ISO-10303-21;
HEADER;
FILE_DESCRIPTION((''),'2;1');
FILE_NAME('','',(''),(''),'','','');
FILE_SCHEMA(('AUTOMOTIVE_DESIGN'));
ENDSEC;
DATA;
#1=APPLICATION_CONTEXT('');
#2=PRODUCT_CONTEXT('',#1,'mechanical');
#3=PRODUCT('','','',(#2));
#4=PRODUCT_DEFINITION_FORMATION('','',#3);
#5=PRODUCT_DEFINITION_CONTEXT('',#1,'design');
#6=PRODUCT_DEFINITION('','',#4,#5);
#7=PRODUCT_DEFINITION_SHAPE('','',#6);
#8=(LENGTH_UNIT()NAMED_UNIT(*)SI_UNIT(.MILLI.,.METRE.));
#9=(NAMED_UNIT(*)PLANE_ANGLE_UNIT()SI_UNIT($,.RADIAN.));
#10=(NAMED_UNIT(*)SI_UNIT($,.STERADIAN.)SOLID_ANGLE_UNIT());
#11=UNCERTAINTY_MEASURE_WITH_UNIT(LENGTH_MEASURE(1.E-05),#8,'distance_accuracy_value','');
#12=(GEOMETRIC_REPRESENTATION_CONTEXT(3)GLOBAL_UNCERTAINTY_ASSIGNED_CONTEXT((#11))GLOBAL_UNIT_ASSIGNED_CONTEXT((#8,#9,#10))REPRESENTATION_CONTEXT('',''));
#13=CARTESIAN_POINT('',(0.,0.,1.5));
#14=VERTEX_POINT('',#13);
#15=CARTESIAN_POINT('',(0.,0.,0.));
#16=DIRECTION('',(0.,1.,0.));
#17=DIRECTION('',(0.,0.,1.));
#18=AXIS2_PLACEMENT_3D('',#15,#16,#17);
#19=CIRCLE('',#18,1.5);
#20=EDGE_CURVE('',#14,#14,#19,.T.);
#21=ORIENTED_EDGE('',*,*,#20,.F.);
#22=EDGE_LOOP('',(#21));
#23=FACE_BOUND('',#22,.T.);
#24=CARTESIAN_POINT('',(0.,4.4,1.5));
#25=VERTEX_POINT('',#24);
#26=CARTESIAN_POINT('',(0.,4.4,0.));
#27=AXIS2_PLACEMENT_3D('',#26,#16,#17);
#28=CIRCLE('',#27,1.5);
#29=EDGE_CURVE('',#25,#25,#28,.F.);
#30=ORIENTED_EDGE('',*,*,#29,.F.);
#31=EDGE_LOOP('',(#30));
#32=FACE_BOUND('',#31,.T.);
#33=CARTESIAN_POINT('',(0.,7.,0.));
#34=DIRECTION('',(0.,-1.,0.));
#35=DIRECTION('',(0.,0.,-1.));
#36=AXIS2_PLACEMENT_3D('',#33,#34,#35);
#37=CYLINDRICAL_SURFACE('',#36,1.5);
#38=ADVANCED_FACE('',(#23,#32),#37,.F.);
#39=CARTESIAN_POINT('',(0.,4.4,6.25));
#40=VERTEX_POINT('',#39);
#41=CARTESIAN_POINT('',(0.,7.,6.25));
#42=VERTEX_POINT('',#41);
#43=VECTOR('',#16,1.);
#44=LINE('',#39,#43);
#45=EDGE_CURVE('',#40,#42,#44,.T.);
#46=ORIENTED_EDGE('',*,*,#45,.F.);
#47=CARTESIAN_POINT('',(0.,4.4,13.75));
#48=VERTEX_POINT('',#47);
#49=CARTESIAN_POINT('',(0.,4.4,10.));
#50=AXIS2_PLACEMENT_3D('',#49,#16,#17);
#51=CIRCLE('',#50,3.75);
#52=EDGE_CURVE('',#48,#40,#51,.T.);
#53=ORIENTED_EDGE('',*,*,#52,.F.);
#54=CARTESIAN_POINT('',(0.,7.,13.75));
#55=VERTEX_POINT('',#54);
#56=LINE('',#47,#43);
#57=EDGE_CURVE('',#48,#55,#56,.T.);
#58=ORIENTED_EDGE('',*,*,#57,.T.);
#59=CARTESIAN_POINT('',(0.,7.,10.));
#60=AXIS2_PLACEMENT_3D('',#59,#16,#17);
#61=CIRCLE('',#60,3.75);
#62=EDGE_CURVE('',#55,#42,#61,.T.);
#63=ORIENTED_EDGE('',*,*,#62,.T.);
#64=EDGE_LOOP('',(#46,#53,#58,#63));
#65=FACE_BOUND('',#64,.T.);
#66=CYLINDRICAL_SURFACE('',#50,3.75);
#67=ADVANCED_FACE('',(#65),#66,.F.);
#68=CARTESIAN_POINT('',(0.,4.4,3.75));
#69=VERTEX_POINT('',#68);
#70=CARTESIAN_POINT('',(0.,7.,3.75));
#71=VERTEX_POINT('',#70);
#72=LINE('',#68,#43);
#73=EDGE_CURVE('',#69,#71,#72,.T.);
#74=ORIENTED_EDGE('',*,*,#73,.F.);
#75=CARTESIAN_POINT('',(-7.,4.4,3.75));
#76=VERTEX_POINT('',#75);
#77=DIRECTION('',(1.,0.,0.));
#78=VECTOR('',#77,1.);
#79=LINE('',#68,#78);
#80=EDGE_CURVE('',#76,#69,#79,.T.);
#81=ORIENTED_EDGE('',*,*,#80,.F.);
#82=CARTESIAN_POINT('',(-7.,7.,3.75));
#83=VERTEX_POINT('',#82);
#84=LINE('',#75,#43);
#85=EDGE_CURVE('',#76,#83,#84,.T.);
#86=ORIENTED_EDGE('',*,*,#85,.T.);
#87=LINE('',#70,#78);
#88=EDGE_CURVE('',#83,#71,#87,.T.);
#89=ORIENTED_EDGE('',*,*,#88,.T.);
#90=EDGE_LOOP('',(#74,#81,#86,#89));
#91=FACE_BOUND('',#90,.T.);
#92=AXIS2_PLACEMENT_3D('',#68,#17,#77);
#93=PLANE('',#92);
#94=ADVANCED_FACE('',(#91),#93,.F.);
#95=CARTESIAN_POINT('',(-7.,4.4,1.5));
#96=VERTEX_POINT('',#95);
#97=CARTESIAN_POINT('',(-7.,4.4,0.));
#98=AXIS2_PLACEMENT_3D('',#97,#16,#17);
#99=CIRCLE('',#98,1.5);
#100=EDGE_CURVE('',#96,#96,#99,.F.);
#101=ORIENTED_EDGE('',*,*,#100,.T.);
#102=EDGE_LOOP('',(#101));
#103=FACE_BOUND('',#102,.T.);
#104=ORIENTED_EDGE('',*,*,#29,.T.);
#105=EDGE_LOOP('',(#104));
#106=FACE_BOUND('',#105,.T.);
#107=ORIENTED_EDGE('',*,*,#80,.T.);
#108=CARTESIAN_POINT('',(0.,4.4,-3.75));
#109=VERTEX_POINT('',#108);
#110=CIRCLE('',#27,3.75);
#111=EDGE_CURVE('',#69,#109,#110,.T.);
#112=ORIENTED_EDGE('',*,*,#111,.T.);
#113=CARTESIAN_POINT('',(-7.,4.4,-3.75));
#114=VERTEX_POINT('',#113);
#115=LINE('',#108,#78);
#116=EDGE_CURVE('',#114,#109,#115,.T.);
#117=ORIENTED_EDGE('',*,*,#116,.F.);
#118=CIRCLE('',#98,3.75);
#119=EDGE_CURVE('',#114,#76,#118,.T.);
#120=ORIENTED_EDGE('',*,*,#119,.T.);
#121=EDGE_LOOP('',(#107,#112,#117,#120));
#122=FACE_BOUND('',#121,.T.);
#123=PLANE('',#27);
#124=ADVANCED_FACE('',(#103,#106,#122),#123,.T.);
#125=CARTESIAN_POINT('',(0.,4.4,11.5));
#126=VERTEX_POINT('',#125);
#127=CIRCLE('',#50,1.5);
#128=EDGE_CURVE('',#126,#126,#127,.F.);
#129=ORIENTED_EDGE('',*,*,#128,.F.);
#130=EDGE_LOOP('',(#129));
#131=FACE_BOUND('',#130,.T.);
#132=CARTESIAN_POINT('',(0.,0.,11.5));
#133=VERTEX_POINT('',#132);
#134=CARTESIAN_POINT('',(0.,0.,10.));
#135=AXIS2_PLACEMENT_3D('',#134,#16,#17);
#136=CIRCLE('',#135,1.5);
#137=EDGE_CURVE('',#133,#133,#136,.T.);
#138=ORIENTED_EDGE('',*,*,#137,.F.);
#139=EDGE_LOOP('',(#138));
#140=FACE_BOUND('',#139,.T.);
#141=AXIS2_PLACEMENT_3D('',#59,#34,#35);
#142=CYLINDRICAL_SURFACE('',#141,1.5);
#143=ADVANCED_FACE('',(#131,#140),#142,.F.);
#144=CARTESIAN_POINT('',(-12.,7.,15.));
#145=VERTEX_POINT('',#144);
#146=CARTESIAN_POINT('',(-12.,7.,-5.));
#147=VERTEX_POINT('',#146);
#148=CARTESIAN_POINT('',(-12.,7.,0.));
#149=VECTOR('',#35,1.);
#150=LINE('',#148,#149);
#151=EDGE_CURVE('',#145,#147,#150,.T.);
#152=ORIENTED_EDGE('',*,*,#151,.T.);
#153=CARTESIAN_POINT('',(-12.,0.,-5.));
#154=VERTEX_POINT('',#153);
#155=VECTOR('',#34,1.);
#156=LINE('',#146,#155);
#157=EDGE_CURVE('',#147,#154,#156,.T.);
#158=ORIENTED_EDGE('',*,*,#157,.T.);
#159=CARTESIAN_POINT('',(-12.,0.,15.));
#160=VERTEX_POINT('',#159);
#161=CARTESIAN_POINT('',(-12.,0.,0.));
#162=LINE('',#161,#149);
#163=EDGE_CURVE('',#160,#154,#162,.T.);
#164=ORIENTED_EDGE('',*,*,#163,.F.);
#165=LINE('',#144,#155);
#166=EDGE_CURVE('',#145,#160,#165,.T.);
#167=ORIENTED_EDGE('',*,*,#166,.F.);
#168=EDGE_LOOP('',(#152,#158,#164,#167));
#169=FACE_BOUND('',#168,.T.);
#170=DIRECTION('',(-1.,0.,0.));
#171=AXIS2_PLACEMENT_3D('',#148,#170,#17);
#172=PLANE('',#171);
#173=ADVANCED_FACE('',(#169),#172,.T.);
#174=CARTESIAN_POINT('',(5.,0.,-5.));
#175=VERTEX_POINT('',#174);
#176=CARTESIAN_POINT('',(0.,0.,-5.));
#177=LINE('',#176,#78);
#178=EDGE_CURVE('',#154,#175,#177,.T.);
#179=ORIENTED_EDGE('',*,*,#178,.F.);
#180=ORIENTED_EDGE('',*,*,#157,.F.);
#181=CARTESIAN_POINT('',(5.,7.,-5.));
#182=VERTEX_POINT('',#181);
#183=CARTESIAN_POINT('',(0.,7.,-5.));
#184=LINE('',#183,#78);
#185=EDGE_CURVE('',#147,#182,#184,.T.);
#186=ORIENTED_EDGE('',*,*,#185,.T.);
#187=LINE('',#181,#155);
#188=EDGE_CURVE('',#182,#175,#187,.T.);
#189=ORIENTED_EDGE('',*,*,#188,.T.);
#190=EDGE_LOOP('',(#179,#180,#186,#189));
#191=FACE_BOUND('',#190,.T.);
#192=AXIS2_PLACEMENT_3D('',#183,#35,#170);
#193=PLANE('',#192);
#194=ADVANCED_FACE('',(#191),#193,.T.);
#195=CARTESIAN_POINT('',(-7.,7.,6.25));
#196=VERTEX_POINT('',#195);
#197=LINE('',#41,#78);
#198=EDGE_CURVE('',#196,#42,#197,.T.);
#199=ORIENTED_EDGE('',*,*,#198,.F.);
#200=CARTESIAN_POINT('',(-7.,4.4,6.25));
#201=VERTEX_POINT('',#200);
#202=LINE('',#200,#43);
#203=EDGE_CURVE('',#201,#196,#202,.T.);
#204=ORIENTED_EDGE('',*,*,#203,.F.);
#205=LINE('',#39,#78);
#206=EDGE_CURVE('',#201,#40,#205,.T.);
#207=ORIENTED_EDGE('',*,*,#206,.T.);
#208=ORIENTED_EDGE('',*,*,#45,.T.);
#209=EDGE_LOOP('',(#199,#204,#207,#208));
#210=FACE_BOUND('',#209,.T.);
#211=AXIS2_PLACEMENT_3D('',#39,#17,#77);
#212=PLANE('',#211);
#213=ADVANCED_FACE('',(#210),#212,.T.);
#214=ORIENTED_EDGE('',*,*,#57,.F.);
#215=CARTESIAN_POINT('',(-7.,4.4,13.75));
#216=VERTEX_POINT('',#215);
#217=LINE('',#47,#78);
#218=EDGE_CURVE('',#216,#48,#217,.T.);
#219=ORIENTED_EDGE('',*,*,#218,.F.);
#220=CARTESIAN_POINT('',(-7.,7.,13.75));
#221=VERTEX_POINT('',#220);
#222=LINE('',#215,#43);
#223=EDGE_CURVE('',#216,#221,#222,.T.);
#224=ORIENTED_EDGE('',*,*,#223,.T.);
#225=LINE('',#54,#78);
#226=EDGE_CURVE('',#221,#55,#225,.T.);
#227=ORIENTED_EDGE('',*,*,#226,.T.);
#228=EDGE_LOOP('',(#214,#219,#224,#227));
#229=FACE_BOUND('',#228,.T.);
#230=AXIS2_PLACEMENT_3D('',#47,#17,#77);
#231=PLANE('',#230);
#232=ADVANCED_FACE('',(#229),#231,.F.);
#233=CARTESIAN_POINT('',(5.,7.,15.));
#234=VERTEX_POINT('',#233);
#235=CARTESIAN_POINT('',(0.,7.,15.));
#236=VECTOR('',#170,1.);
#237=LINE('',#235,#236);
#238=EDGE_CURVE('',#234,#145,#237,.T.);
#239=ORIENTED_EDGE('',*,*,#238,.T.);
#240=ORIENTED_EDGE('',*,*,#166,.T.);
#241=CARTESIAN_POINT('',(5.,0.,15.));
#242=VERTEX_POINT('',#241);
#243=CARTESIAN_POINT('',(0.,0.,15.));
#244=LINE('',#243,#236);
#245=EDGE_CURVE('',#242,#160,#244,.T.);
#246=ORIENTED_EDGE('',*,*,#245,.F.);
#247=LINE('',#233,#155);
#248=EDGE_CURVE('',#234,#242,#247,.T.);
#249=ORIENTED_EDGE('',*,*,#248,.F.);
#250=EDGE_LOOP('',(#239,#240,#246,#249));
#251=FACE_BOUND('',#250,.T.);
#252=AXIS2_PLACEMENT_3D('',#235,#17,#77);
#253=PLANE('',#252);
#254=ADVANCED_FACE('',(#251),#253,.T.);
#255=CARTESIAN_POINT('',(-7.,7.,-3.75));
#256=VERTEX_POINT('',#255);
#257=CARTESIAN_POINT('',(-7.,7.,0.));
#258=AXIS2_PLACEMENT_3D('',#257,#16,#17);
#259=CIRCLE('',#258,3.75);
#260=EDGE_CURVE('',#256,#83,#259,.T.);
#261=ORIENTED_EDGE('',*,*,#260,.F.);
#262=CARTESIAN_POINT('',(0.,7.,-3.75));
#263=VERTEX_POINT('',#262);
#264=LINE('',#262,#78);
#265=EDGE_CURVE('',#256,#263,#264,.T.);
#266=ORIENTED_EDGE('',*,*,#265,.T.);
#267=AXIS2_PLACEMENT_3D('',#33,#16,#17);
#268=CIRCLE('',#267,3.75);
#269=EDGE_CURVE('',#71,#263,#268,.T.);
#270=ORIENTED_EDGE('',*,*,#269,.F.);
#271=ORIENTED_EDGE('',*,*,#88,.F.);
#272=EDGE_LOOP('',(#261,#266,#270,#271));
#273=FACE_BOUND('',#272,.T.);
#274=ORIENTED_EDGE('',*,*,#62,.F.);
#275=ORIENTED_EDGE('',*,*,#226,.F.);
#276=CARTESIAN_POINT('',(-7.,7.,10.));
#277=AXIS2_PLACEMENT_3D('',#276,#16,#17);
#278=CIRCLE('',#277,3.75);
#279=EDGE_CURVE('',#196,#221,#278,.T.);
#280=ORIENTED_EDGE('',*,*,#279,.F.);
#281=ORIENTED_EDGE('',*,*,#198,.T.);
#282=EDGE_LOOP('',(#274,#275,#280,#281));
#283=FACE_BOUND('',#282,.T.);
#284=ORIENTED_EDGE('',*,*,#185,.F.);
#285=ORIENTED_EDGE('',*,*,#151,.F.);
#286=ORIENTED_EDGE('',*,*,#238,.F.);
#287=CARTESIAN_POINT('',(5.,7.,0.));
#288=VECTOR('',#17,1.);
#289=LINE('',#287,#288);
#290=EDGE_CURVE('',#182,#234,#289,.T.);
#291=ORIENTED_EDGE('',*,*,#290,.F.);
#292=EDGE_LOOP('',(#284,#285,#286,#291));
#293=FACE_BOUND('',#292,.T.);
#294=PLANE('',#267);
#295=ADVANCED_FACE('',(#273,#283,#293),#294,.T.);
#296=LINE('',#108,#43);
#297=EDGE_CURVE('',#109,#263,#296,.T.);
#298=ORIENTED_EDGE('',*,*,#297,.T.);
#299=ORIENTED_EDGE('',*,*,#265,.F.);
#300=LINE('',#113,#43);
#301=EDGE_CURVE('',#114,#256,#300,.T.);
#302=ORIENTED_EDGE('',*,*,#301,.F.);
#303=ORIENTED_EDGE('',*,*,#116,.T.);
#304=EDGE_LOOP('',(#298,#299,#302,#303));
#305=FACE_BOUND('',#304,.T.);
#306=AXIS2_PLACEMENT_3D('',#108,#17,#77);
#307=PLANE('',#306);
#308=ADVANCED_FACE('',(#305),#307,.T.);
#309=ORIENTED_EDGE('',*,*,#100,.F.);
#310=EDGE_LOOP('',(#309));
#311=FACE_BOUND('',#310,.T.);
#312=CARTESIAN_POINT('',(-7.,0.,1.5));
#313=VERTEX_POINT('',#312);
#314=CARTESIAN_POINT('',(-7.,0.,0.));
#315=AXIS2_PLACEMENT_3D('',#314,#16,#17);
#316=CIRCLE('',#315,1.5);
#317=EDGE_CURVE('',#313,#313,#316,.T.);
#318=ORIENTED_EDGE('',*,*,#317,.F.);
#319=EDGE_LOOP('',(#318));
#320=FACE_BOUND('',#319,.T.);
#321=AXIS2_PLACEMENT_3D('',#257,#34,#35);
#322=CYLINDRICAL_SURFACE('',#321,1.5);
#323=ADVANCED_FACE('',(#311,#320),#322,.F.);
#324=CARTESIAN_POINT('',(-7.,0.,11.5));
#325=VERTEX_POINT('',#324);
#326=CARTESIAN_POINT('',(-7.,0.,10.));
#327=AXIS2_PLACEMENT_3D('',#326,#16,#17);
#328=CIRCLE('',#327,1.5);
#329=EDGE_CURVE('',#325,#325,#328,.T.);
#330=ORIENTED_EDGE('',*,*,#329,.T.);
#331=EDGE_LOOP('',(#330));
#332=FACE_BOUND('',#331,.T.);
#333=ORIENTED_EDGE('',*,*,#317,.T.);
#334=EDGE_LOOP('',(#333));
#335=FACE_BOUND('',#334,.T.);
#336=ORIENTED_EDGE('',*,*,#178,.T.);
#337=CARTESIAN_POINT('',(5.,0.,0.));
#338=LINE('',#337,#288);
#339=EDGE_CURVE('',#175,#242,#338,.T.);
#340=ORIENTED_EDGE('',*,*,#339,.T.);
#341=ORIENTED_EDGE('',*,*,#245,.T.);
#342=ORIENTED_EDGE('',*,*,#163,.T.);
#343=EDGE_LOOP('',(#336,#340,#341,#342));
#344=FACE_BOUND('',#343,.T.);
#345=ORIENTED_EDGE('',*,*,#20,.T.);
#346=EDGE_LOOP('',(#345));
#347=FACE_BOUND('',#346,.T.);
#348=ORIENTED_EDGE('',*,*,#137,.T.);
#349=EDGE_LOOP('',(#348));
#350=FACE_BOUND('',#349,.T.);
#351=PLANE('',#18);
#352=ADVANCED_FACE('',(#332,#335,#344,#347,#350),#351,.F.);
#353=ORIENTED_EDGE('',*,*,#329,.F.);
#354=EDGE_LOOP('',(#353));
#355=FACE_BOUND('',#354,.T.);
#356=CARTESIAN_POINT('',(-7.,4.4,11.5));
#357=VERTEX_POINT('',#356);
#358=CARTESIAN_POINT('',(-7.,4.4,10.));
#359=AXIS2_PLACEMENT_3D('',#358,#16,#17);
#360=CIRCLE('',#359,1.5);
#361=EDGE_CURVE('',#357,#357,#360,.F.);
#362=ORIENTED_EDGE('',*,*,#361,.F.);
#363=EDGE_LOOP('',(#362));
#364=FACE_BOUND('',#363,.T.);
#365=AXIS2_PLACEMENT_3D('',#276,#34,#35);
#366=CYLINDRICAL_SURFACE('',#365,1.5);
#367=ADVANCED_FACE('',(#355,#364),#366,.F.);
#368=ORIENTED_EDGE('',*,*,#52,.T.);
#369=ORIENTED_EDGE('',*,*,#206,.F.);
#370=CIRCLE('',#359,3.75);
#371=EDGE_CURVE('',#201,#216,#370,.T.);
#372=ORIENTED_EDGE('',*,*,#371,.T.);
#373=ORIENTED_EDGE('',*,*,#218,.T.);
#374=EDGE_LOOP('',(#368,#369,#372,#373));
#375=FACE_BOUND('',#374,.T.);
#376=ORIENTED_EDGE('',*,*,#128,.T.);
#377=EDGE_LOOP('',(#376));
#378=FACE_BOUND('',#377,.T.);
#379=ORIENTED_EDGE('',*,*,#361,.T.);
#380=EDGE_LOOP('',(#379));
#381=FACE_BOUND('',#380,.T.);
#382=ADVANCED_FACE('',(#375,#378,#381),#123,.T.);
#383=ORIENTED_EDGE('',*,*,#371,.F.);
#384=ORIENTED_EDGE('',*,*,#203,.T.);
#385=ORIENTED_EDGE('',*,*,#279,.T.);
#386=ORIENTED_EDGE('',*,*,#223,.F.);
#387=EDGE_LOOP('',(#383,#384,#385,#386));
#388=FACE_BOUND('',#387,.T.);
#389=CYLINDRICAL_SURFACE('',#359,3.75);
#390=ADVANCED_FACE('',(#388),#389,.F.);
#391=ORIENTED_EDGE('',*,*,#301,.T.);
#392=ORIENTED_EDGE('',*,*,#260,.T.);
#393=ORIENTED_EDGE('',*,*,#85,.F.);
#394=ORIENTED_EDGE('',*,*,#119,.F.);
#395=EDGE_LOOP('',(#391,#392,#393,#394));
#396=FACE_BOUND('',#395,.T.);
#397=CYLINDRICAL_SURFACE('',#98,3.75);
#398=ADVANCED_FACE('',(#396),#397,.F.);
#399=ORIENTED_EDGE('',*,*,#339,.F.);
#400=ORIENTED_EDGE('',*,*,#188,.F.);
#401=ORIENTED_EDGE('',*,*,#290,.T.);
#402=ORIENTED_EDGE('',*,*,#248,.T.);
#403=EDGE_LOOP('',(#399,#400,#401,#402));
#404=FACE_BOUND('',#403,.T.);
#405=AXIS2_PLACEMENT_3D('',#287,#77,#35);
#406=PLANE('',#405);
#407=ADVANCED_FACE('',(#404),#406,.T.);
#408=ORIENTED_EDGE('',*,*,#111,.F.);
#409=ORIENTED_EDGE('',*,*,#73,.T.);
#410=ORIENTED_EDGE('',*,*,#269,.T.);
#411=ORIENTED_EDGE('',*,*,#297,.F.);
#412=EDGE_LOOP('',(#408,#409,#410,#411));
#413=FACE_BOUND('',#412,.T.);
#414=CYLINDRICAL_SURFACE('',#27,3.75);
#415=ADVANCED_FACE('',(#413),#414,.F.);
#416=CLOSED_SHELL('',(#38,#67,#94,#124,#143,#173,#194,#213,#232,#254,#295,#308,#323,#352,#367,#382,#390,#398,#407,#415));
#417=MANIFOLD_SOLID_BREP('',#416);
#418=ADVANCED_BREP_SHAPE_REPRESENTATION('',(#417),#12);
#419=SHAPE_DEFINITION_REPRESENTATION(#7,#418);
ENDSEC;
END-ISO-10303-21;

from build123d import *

# Parameters (mm, degrees)
SKETCH1_W           = 17
SKETCH1_H           = 20
SKETCH1_R           = 1.5
BOSS_EXTRUDE1_DEPTH = 7
SKETCH2_R           = 1.5
CUT_EXTRUDE6_DEPTH  = 2.6


with BuildPart() as part:
    # Sketch1 → Boss-Extrude1 (new body)
    with BuildSketch(Plane(origin=(0, 0, 0), x_dir=(1, 0, 0), z_dir=(0, 1, 0))):
        with Locations((-3.5, -5)):
            Rectangle(SKETCH1_W, SKETCH1_H)
        Circle(SKETCH1_R, mode=Mode.SUBTRACT)
        with Locations((-7, -10)):
            Circle(SKETCH1_R, mode=Mode.SUBTRACT)
        with Locations((-7, 0)):
            Circle(SKETCH1_R, mode=Mode.SUBTRACT)
        with Locations((0, -10)):
            Circle(SKETCH1_R, mode=Mode.SUBTRACT)
    extrude(amount=BOSS_EXTRUDE1_DEPTH)

    # Sketch2 → Cut-Extrude6 (cut)
    with BuildSketch(Plane(origin=(0, 7, 0), x_dir=(1, 0, 0), z_dir=(0, 1, 0))):
        with BuildLine():
            Line((-7, -13.75), (0, -13.75))
            ThreePointArc((0, -13.75), (3.75, -10), (0, -6.25))
            Line((0, -6.25), (-7, -6.25))
            ThreePointArc((-7, -6.25), (-10.75, -10), (-7, -13.75))
        make_face()
        with Locations((-7, -10)):
            Circle(SKETCH2_R, mode=Mode.SUBTRACT)
        with Locations((0, -10)):
            Circle(SKETCH2_R, mode=Mode.SUBTRACT)
        with BuildLine():
            ThreePointArc((-7, 3.75), (-10.75, 0), (-7, -3.75))
            Line((-7, -3.75), (0, -3.75))
            ThreePointArc((0, -3.75), (3.75, 0), (0, 3.75))
            Line((0, 3.75), (-7, 3.75))
        make_face()
        with Locations((-7, 0)):
            Circle(SKETCH2_R, mode=Mode.SUBTRACT)
        Circle(SKETCH2_R, mode=Mode.SUBTRACT)
    extrude(amount=-CUT_EXTRUDE6_DEPTH, mode=Mode.SUBTRACT)


solid = part.part
